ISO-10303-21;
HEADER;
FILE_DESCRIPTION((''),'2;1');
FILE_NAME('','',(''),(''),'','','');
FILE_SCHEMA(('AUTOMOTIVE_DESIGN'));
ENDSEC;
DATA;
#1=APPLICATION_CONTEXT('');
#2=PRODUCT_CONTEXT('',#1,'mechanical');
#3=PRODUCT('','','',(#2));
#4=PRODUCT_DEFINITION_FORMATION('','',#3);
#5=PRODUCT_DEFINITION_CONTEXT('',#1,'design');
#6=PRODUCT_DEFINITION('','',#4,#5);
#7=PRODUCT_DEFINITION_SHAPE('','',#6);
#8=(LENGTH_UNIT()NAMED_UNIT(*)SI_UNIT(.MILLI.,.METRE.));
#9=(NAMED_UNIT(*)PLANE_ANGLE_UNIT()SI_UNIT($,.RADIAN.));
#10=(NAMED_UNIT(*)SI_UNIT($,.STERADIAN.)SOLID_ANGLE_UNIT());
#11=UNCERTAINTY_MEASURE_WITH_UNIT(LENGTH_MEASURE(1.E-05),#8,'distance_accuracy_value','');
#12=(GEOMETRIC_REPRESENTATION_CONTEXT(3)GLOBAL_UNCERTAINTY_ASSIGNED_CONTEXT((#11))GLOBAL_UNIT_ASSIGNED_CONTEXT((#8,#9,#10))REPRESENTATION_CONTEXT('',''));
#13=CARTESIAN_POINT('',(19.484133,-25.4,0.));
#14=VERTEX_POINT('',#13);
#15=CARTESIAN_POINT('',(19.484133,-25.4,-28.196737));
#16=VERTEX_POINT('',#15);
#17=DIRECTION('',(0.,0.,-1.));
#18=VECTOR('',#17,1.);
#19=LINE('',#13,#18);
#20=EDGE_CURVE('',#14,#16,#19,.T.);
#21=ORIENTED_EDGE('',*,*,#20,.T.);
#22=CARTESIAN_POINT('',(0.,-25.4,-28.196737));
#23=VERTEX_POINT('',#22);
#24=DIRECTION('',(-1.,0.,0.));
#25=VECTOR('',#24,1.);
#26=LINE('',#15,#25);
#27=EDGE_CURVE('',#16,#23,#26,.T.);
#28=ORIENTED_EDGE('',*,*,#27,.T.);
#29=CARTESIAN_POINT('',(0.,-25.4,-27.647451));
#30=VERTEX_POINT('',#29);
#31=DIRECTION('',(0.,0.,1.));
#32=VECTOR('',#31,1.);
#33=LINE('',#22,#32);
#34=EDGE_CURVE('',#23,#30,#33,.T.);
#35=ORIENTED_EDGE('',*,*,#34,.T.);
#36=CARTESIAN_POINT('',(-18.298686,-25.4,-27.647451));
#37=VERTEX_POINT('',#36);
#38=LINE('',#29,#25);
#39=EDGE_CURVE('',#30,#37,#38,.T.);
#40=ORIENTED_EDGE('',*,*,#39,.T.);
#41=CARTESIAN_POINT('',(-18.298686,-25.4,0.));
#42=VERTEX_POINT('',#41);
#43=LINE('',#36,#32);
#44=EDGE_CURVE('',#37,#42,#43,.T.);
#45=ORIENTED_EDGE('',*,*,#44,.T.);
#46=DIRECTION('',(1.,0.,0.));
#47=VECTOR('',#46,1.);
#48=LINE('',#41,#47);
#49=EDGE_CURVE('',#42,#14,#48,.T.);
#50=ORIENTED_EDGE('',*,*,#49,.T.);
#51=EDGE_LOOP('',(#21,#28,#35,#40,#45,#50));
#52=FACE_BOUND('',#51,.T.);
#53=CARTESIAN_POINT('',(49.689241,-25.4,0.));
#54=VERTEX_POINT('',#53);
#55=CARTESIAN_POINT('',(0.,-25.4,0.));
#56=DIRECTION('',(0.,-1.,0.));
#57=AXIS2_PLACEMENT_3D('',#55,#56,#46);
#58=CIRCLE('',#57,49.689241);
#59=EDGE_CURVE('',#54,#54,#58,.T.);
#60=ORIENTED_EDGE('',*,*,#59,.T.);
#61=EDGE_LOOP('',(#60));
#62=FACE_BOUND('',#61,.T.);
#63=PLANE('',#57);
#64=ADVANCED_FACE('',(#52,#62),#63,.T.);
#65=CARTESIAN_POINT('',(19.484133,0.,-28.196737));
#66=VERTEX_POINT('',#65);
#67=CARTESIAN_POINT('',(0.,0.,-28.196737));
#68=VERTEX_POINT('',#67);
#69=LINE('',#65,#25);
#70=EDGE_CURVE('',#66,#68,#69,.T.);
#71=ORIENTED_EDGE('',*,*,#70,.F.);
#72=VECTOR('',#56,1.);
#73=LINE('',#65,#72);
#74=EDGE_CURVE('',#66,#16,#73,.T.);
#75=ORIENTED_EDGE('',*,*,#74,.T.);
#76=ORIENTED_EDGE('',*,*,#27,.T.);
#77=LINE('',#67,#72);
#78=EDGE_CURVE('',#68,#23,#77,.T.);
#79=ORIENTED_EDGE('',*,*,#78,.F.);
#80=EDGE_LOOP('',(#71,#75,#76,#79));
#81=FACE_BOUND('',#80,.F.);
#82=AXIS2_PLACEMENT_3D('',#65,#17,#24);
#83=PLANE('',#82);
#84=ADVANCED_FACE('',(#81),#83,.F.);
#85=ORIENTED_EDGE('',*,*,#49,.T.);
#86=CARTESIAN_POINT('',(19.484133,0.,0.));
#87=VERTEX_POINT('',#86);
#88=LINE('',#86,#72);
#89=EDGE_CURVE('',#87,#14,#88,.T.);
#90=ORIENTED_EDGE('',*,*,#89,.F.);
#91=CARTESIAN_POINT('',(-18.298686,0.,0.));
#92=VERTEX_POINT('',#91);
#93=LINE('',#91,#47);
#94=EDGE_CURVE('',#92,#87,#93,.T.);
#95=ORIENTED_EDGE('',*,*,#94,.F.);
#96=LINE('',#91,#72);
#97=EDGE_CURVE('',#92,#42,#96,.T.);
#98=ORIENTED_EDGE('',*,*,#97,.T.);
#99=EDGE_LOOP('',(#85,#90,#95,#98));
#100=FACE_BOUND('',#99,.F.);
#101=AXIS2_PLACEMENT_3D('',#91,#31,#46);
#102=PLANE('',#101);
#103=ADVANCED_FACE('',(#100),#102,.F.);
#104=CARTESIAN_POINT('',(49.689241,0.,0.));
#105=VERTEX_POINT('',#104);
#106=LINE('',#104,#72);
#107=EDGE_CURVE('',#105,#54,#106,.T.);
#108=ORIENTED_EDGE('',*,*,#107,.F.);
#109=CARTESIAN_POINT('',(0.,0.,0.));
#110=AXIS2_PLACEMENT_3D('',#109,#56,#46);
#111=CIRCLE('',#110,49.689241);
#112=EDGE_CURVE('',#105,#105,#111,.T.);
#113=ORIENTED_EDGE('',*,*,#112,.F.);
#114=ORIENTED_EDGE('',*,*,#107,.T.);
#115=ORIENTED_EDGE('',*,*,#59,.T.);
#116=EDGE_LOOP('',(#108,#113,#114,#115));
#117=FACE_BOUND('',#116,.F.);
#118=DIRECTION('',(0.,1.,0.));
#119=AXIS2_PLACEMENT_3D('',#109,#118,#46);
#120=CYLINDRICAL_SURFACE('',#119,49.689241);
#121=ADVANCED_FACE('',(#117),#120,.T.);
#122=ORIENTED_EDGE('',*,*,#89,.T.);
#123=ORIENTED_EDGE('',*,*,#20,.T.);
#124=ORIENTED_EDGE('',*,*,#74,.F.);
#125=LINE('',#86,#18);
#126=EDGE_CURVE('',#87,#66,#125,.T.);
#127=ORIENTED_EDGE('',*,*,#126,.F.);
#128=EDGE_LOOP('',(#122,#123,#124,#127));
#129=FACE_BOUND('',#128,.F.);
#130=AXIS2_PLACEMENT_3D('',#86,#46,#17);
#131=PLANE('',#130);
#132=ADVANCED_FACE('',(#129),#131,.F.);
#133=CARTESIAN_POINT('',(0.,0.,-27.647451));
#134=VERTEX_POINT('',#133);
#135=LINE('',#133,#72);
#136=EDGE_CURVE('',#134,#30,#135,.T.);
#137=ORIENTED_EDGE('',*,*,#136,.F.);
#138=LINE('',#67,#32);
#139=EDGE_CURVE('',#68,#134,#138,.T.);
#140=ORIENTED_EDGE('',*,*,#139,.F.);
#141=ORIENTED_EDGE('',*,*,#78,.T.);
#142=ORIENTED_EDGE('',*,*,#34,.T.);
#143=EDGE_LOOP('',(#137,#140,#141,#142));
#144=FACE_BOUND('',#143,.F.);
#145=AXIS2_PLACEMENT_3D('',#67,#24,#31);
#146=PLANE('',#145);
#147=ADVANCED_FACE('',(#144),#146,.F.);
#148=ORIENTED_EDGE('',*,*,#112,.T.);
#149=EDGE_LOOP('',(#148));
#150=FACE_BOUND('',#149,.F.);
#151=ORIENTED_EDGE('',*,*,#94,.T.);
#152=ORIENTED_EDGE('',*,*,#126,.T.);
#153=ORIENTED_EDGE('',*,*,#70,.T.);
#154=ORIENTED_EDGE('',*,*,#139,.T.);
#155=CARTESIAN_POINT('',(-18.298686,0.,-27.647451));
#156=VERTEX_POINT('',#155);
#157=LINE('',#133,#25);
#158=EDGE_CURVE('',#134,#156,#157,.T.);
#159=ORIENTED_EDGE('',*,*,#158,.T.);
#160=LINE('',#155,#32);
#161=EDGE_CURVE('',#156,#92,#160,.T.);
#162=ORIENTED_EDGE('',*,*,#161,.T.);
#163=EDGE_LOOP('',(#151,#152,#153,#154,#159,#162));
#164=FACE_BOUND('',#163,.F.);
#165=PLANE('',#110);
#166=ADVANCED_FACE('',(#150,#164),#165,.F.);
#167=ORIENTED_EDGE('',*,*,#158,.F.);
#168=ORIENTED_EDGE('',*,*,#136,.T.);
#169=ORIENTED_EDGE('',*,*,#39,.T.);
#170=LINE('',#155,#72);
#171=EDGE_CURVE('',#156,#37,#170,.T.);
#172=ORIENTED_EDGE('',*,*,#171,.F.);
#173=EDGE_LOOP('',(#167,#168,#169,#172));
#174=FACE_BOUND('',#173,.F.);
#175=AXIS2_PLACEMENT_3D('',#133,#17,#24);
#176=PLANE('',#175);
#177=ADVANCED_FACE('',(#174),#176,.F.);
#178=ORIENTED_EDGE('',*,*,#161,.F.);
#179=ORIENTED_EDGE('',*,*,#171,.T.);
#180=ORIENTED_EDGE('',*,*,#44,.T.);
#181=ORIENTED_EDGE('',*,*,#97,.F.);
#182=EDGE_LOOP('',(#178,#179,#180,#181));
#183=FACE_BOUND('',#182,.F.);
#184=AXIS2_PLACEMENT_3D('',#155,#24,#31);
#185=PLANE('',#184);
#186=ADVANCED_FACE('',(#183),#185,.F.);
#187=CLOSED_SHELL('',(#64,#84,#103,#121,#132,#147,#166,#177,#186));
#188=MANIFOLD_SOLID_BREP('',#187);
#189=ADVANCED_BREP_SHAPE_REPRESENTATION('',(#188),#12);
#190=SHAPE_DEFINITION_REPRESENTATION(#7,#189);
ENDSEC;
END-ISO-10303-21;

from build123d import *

# Parameters (mm, degrees)
F0_R     = 49.689241
F1_DEPTH = 25.4


with BuildPart() as f1:
    # F0 (on Front) → F1 (new body)
    with BuildSketch(Plane.XZ):
        Circle(F0_R)
        Polygon((-18.298686, 0), (0, 0), (19.484133, 0), (19.484133, -28.196737), (0, -28.196737), (0, -27.647451), (-18.298686, -27.647451), align=None, mode=Mode.SUBTRACT)
    extrude(amount=F1_DEPTH)


solid = f1.part
